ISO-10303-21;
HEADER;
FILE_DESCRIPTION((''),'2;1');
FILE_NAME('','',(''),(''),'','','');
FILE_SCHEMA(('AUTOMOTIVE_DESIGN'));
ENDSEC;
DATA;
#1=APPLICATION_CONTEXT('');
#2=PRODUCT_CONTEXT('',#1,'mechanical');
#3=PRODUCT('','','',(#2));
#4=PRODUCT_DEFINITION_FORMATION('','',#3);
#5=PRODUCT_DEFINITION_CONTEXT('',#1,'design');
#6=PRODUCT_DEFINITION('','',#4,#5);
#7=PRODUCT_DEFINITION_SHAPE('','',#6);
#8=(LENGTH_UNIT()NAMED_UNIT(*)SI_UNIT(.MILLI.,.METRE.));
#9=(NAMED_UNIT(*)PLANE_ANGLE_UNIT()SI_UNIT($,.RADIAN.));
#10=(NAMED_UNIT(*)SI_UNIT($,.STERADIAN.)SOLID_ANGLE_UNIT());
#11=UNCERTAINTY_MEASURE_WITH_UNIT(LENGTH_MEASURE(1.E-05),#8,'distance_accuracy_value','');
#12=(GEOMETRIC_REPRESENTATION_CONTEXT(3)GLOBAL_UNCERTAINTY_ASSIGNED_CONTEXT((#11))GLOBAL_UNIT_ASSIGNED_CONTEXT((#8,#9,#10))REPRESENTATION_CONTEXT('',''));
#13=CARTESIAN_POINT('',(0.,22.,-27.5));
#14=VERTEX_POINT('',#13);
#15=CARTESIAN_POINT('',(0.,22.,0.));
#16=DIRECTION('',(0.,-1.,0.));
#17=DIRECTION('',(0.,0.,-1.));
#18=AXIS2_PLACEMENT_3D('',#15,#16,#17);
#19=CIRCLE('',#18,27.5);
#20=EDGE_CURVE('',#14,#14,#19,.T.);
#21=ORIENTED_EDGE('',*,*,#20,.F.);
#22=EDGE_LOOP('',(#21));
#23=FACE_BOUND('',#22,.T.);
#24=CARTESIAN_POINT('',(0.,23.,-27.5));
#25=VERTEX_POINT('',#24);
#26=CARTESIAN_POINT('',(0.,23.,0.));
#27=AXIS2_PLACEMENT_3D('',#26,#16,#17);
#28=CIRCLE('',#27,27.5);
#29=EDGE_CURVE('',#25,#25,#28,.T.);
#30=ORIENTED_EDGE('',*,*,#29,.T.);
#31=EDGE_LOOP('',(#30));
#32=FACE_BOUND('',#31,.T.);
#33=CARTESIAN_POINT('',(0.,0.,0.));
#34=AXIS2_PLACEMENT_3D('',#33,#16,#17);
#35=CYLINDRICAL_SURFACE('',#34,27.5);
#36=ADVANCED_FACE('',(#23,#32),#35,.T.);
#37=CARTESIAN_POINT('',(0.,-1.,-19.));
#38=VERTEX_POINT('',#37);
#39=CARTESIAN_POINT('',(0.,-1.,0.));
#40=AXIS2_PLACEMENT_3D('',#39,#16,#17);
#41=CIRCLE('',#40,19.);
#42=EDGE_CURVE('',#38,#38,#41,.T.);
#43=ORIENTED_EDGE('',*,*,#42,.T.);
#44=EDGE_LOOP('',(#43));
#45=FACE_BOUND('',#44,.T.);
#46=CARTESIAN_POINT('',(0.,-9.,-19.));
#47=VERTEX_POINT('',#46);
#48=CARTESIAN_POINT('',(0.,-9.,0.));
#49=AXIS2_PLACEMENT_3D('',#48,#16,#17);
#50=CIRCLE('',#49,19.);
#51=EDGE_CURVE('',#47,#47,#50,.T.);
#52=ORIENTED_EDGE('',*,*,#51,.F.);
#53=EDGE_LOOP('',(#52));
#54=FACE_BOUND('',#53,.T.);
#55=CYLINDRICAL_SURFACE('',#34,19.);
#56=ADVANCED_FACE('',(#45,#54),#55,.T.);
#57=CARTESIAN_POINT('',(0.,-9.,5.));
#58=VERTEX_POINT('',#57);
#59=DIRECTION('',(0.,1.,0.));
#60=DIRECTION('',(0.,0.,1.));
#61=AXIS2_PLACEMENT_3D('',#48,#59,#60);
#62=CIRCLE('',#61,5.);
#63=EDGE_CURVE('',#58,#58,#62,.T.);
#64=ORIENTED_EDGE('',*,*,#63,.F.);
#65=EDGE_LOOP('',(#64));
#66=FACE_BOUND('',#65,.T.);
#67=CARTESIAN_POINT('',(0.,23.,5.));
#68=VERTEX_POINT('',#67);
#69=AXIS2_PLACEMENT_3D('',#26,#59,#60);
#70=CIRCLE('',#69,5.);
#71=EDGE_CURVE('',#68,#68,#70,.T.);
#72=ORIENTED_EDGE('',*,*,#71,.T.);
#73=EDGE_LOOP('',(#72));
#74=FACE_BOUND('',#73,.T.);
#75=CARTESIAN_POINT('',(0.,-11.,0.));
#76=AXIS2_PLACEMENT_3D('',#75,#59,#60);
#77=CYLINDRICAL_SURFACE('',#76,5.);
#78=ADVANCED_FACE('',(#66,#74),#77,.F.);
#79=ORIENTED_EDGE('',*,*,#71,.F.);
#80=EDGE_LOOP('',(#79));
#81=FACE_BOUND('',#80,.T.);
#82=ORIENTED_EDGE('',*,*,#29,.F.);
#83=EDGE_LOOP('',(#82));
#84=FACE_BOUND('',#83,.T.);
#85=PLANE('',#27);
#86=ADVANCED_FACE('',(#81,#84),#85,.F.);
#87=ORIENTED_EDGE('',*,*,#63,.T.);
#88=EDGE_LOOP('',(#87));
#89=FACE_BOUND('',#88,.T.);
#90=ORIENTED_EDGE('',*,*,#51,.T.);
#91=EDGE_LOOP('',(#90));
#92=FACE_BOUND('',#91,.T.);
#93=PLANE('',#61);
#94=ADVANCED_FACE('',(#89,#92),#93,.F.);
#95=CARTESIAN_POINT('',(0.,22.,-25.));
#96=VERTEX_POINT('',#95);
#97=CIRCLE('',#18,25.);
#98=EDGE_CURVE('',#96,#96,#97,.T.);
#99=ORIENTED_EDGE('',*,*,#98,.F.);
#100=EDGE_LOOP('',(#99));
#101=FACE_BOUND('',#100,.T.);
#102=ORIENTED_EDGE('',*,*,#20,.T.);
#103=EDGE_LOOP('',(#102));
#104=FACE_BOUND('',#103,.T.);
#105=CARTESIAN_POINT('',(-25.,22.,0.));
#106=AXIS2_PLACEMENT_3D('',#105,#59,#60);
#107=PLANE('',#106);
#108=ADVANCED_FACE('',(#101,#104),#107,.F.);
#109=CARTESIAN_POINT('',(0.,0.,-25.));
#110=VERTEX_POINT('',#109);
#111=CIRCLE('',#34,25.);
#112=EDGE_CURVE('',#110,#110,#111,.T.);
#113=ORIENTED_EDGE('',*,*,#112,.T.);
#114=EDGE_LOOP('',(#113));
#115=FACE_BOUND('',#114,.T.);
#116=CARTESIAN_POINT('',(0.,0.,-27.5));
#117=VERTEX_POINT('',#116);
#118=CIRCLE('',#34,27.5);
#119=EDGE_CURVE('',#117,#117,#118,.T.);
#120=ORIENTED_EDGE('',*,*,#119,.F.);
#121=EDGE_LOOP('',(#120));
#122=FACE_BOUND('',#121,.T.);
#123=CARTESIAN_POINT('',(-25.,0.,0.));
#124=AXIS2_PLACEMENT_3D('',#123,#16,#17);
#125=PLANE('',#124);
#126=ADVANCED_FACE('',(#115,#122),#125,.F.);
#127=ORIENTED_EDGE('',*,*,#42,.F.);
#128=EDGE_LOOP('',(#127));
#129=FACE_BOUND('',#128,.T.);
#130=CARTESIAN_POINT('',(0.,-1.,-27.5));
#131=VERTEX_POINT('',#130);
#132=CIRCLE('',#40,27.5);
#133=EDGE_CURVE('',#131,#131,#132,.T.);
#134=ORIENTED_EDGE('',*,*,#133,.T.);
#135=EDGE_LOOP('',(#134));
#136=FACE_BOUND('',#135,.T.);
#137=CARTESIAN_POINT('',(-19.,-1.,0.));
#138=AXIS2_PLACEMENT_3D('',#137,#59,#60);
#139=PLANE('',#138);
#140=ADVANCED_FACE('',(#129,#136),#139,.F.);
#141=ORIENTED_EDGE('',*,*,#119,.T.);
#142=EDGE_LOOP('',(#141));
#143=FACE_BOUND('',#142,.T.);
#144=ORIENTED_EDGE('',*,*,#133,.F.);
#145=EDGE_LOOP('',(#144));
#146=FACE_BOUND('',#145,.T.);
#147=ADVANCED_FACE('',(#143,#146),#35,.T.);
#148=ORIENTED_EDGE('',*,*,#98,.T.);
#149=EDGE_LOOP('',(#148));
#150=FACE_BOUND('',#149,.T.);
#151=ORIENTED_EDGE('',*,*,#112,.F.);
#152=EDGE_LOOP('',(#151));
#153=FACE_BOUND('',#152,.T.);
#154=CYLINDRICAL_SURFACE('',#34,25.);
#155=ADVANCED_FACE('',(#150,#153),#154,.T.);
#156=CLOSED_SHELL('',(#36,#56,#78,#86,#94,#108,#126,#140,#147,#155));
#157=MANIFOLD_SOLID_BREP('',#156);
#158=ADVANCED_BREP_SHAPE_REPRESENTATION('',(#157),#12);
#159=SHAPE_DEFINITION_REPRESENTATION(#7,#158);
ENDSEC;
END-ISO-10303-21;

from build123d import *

# Parameters (mm, degrees)
SKETCH2_R          = 5
CUT_EXTRUDE1_DEPTH = 34


with BuildPart() as part:
    # Sketch1 → Revolve1 (revolve)
    with BuildSketch(Plane.XY, mode=Mode.PRIVATE) as revolve1_sk:
        Polygon((0, 0), (0, 22), (0, 23), (-27.5, 23), (-27.5, 22), (-25, 22), (-25, 0), (-27.5, 0), (-27.5, -1), (-19, -1), (-19, -9), (0, -9), (0, -1), align=None)
    revolve(revolve1_sk.sketch.rotate(Axis((0, 0, 0), (0, 1, 0)), 270), axis=Axis((0, 0, 0), (0, 1, 0)))

    # Sketch2 → Cut-Extrude1 (cut)
    with BuildSketch(Plane(origin=(0, 23, 0), x_dir=(1, 0, 0), z_dir=(0, 1, 0))):
        with Locations(Location((0, 0, 0), (0, 0, 270))):
            Circle(SKETCH2_R)
    extrude(amount=-CUT_EXTRUDE1_DEPTH, mode=Mode.SUBTRACT)


solid = part.part
